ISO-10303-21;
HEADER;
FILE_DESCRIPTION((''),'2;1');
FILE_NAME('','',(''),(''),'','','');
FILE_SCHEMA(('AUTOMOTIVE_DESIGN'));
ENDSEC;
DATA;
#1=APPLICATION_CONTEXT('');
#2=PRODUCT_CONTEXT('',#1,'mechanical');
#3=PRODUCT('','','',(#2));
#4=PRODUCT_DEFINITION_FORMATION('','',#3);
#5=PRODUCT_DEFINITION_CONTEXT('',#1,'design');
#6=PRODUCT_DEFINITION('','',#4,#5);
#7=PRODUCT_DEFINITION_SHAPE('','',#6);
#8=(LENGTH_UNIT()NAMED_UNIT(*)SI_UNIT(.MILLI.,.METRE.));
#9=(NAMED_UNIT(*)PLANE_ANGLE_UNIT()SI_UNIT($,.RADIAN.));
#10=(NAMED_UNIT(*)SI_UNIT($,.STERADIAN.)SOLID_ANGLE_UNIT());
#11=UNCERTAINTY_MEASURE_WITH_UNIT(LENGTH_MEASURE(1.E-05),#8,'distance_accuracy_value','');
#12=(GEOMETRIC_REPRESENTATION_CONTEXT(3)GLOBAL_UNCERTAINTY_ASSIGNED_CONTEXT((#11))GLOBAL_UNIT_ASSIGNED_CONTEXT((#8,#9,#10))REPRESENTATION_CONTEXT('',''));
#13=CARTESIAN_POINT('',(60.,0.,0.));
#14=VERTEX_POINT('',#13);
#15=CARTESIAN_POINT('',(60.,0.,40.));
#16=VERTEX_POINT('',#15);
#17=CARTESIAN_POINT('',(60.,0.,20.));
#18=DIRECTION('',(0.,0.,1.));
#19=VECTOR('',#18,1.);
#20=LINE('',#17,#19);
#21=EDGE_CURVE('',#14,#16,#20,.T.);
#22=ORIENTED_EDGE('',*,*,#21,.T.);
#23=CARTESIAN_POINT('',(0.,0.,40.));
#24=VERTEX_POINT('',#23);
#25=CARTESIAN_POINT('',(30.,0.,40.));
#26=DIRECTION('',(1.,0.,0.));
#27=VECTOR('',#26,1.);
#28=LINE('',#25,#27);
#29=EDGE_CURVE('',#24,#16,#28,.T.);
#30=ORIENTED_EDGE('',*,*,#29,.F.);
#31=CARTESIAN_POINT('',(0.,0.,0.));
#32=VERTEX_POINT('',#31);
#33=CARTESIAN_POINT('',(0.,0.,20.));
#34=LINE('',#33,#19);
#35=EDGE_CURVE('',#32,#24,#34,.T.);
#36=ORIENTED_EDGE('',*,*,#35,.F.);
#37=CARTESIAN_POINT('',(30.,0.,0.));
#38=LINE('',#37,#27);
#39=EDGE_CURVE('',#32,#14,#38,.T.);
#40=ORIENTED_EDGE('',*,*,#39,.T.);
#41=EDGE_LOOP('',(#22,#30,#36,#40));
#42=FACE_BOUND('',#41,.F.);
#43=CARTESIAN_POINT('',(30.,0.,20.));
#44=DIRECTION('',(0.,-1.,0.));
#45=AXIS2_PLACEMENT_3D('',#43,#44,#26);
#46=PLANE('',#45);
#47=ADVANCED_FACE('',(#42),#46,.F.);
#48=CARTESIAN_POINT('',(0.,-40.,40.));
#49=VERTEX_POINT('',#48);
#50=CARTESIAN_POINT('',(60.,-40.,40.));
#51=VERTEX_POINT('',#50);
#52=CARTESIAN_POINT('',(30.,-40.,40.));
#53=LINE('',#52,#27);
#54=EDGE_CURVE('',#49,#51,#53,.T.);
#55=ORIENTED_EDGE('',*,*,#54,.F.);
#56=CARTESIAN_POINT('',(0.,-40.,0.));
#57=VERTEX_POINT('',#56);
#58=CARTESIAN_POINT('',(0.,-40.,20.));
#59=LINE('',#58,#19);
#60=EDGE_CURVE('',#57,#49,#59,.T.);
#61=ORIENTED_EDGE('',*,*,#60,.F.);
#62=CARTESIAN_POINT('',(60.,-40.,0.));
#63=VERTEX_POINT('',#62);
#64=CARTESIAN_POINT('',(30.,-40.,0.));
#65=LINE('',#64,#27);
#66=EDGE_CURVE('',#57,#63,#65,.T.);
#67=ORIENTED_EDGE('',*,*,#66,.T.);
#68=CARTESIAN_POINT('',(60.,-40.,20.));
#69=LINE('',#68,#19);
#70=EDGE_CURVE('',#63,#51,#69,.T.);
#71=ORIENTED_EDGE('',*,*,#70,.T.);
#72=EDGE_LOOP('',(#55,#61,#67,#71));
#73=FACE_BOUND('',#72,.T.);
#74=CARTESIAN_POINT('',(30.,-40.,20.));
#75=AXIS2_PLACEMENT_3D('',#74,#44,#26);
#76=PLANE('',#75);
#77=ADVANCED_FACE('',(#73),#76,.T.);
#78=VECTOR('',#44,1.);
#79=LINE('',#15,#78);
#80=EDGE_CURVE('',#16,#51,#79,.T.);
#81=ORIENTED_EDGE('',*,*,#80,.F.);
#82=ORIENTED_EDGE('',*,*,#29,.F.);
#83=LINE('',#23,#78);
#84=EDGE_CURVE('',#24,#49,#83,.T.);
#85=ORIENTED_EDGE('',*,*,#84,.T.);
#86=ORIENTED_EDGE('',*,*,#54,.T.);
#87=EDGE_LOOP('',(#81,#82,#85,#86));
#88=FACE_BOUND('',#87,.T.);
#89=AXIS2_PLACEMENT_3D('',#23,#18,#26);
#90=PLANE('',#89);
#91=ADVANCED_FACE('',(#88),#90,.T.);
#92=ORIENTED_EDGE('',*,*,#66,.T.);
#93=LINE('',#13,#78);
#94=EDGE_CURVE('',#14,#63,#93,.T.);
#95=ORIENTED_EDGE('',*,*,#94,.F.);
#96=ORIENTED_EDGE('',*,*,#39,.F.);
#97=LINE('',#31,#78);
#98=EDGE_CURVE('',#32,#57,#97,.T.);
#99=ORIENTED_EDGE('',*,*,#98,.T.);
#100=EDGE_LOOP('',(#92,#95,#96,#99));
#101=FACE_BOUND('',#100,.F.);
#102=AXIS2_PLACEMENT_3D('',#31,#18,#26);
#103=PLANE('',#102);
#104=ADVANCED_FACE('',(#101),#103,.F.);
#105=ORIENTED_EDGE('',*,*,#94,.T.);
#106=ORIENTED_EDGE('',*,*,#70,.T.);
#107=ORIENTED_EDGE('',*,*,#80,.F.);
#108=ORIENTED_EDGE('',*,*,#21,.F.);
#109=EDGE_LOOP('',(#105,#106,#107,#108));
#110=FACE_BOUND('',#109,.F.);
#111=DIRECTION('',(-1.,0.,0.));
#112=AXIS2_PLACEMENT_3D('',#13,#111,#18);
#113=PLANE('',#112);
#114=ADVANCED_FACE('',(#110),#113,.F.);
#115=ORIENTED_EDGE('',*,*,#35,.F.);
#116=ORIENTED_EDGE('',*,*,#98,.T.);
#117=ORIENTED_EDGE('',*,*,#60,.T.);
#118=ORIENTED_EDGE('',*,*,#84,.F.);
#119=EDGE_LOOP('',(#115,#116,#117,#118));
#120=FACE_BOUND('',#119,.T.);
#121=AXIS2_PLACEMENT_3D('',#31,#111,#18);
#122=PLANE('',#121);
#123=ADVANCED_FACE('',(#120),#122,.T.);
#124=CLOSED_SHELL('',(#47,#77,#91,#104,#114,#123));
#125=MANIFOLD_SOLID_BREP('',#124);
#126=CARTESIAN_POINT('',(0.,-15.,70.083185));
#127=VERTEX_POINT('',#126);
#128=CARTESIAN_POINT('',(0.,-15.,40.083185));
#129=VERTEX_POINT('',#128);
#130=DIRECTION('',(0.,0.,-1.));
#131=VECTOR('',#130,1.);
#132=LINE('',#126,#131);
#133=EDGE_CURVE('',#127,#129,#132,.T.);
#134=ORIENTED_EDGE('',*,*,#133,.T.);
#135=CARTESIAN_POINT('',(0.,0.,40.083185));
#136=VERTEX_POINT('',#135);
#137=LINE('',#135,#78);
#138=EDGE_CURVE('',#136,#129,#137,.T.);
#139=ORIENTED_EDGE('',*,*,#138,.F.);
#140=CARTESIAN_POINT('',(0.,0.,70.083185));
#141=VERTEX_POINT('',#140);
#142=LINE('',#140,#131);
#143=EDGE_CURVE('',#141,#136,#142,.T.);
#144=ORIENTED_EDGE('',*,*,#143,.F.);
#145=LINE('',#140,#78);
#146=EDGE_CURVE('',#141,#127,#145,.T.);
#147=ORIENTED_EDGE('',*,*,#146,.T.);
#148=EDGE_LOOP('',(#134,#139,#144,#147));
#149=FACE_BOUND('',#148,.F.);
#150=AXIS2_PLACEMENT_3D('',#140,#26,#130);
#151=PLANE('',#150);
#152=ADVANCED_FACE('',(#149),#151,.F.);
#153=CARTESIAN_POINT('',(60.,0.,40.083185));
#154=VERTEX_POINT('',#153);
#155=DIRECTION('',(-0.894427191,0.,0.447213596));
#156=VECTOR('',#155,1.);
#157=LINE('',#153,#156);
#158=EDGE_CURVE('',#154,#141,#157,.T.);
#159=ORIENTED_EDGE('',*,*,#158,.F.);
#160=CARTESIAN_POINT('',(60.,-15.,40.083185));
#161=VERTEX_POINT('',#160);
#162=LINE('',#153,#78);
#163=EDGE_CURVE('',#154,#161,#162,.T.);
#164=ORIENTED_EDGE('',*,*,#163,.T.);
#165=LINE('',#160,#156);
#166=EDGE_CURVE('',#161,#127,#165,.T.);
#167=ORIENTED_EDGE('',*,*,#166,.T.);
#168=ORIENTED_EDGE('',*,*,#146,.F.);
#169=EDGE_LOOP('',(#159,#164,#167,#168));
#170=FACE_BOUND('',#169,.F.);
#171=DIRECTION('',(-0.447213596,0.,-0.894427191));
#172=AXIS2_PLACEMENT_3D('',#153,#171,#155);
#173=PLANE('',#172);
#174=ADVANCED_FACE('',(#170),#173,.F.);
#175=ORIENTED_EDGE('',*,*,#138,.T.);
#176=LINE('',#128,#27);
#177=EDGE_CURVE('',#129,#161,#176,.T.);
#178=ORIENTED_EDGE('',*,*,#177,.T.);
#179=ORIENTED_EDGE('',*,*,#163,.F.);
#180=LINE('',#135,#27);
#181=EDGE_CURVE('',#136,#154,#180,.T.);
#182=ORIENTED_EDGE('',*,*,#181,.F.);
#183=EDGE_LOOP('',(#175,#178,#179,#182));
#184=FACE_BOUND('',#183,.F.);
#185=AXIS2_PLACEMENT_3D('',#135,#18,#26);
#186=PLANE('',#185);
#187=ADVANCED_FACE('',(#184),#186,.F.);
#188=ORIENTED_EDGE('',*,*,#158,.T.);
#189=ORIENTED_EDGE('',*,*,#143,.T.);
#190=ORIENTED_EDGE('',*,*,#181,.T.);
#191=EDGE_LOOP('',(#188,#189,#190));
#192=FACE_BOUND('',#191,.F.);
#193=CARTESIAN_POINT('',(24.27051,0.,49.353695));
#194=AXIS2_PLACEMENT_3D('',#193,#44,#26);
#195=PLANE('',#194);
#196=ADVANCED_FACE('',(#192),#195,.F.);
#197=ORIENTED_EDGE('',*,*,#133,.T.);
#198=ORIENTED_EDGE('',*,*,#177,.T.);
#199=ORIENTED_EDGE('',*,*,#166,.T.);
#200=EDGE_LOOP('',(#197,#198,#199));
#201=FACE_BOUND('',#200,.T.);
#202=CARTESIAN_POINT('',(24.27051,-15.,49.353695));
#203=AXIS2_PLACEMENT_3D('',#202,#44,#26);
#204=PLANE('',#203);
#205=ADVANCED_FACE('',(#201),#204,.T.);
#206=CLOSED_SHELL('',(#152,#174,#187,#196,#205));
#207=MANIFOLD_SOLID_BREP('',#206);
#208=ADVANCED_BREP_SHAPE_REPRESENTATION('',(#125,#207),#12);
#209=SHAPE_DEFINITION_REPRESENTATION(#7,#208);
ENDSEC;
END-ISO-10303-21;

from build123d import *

# Parameters (mm, degrees)
F0_W     = 60
F0_H     = 40
F1_DEPTH = 40
F4_DEPTH = 15


with BuildPart() as f1:
    # F0 (on Front) → F1 (new body)
    with BuildSketch(Plane.XZ):
        with Locations((30, 20)):
            Rectangle(F0_W, F0_H)
    extrude(amount=F1_DEPTH)


with BuildPart() as f4:
    # F3 (on Front) → F4 (new body)
    with BuildSketch(Plane.XZ):
        Polygon((0, 70.083185), (0, 40.083185), (60, 40.083185), align=None)
    extrude(amount=F4_DEPTH)


solid = Compound([f1.part, f4.part])
